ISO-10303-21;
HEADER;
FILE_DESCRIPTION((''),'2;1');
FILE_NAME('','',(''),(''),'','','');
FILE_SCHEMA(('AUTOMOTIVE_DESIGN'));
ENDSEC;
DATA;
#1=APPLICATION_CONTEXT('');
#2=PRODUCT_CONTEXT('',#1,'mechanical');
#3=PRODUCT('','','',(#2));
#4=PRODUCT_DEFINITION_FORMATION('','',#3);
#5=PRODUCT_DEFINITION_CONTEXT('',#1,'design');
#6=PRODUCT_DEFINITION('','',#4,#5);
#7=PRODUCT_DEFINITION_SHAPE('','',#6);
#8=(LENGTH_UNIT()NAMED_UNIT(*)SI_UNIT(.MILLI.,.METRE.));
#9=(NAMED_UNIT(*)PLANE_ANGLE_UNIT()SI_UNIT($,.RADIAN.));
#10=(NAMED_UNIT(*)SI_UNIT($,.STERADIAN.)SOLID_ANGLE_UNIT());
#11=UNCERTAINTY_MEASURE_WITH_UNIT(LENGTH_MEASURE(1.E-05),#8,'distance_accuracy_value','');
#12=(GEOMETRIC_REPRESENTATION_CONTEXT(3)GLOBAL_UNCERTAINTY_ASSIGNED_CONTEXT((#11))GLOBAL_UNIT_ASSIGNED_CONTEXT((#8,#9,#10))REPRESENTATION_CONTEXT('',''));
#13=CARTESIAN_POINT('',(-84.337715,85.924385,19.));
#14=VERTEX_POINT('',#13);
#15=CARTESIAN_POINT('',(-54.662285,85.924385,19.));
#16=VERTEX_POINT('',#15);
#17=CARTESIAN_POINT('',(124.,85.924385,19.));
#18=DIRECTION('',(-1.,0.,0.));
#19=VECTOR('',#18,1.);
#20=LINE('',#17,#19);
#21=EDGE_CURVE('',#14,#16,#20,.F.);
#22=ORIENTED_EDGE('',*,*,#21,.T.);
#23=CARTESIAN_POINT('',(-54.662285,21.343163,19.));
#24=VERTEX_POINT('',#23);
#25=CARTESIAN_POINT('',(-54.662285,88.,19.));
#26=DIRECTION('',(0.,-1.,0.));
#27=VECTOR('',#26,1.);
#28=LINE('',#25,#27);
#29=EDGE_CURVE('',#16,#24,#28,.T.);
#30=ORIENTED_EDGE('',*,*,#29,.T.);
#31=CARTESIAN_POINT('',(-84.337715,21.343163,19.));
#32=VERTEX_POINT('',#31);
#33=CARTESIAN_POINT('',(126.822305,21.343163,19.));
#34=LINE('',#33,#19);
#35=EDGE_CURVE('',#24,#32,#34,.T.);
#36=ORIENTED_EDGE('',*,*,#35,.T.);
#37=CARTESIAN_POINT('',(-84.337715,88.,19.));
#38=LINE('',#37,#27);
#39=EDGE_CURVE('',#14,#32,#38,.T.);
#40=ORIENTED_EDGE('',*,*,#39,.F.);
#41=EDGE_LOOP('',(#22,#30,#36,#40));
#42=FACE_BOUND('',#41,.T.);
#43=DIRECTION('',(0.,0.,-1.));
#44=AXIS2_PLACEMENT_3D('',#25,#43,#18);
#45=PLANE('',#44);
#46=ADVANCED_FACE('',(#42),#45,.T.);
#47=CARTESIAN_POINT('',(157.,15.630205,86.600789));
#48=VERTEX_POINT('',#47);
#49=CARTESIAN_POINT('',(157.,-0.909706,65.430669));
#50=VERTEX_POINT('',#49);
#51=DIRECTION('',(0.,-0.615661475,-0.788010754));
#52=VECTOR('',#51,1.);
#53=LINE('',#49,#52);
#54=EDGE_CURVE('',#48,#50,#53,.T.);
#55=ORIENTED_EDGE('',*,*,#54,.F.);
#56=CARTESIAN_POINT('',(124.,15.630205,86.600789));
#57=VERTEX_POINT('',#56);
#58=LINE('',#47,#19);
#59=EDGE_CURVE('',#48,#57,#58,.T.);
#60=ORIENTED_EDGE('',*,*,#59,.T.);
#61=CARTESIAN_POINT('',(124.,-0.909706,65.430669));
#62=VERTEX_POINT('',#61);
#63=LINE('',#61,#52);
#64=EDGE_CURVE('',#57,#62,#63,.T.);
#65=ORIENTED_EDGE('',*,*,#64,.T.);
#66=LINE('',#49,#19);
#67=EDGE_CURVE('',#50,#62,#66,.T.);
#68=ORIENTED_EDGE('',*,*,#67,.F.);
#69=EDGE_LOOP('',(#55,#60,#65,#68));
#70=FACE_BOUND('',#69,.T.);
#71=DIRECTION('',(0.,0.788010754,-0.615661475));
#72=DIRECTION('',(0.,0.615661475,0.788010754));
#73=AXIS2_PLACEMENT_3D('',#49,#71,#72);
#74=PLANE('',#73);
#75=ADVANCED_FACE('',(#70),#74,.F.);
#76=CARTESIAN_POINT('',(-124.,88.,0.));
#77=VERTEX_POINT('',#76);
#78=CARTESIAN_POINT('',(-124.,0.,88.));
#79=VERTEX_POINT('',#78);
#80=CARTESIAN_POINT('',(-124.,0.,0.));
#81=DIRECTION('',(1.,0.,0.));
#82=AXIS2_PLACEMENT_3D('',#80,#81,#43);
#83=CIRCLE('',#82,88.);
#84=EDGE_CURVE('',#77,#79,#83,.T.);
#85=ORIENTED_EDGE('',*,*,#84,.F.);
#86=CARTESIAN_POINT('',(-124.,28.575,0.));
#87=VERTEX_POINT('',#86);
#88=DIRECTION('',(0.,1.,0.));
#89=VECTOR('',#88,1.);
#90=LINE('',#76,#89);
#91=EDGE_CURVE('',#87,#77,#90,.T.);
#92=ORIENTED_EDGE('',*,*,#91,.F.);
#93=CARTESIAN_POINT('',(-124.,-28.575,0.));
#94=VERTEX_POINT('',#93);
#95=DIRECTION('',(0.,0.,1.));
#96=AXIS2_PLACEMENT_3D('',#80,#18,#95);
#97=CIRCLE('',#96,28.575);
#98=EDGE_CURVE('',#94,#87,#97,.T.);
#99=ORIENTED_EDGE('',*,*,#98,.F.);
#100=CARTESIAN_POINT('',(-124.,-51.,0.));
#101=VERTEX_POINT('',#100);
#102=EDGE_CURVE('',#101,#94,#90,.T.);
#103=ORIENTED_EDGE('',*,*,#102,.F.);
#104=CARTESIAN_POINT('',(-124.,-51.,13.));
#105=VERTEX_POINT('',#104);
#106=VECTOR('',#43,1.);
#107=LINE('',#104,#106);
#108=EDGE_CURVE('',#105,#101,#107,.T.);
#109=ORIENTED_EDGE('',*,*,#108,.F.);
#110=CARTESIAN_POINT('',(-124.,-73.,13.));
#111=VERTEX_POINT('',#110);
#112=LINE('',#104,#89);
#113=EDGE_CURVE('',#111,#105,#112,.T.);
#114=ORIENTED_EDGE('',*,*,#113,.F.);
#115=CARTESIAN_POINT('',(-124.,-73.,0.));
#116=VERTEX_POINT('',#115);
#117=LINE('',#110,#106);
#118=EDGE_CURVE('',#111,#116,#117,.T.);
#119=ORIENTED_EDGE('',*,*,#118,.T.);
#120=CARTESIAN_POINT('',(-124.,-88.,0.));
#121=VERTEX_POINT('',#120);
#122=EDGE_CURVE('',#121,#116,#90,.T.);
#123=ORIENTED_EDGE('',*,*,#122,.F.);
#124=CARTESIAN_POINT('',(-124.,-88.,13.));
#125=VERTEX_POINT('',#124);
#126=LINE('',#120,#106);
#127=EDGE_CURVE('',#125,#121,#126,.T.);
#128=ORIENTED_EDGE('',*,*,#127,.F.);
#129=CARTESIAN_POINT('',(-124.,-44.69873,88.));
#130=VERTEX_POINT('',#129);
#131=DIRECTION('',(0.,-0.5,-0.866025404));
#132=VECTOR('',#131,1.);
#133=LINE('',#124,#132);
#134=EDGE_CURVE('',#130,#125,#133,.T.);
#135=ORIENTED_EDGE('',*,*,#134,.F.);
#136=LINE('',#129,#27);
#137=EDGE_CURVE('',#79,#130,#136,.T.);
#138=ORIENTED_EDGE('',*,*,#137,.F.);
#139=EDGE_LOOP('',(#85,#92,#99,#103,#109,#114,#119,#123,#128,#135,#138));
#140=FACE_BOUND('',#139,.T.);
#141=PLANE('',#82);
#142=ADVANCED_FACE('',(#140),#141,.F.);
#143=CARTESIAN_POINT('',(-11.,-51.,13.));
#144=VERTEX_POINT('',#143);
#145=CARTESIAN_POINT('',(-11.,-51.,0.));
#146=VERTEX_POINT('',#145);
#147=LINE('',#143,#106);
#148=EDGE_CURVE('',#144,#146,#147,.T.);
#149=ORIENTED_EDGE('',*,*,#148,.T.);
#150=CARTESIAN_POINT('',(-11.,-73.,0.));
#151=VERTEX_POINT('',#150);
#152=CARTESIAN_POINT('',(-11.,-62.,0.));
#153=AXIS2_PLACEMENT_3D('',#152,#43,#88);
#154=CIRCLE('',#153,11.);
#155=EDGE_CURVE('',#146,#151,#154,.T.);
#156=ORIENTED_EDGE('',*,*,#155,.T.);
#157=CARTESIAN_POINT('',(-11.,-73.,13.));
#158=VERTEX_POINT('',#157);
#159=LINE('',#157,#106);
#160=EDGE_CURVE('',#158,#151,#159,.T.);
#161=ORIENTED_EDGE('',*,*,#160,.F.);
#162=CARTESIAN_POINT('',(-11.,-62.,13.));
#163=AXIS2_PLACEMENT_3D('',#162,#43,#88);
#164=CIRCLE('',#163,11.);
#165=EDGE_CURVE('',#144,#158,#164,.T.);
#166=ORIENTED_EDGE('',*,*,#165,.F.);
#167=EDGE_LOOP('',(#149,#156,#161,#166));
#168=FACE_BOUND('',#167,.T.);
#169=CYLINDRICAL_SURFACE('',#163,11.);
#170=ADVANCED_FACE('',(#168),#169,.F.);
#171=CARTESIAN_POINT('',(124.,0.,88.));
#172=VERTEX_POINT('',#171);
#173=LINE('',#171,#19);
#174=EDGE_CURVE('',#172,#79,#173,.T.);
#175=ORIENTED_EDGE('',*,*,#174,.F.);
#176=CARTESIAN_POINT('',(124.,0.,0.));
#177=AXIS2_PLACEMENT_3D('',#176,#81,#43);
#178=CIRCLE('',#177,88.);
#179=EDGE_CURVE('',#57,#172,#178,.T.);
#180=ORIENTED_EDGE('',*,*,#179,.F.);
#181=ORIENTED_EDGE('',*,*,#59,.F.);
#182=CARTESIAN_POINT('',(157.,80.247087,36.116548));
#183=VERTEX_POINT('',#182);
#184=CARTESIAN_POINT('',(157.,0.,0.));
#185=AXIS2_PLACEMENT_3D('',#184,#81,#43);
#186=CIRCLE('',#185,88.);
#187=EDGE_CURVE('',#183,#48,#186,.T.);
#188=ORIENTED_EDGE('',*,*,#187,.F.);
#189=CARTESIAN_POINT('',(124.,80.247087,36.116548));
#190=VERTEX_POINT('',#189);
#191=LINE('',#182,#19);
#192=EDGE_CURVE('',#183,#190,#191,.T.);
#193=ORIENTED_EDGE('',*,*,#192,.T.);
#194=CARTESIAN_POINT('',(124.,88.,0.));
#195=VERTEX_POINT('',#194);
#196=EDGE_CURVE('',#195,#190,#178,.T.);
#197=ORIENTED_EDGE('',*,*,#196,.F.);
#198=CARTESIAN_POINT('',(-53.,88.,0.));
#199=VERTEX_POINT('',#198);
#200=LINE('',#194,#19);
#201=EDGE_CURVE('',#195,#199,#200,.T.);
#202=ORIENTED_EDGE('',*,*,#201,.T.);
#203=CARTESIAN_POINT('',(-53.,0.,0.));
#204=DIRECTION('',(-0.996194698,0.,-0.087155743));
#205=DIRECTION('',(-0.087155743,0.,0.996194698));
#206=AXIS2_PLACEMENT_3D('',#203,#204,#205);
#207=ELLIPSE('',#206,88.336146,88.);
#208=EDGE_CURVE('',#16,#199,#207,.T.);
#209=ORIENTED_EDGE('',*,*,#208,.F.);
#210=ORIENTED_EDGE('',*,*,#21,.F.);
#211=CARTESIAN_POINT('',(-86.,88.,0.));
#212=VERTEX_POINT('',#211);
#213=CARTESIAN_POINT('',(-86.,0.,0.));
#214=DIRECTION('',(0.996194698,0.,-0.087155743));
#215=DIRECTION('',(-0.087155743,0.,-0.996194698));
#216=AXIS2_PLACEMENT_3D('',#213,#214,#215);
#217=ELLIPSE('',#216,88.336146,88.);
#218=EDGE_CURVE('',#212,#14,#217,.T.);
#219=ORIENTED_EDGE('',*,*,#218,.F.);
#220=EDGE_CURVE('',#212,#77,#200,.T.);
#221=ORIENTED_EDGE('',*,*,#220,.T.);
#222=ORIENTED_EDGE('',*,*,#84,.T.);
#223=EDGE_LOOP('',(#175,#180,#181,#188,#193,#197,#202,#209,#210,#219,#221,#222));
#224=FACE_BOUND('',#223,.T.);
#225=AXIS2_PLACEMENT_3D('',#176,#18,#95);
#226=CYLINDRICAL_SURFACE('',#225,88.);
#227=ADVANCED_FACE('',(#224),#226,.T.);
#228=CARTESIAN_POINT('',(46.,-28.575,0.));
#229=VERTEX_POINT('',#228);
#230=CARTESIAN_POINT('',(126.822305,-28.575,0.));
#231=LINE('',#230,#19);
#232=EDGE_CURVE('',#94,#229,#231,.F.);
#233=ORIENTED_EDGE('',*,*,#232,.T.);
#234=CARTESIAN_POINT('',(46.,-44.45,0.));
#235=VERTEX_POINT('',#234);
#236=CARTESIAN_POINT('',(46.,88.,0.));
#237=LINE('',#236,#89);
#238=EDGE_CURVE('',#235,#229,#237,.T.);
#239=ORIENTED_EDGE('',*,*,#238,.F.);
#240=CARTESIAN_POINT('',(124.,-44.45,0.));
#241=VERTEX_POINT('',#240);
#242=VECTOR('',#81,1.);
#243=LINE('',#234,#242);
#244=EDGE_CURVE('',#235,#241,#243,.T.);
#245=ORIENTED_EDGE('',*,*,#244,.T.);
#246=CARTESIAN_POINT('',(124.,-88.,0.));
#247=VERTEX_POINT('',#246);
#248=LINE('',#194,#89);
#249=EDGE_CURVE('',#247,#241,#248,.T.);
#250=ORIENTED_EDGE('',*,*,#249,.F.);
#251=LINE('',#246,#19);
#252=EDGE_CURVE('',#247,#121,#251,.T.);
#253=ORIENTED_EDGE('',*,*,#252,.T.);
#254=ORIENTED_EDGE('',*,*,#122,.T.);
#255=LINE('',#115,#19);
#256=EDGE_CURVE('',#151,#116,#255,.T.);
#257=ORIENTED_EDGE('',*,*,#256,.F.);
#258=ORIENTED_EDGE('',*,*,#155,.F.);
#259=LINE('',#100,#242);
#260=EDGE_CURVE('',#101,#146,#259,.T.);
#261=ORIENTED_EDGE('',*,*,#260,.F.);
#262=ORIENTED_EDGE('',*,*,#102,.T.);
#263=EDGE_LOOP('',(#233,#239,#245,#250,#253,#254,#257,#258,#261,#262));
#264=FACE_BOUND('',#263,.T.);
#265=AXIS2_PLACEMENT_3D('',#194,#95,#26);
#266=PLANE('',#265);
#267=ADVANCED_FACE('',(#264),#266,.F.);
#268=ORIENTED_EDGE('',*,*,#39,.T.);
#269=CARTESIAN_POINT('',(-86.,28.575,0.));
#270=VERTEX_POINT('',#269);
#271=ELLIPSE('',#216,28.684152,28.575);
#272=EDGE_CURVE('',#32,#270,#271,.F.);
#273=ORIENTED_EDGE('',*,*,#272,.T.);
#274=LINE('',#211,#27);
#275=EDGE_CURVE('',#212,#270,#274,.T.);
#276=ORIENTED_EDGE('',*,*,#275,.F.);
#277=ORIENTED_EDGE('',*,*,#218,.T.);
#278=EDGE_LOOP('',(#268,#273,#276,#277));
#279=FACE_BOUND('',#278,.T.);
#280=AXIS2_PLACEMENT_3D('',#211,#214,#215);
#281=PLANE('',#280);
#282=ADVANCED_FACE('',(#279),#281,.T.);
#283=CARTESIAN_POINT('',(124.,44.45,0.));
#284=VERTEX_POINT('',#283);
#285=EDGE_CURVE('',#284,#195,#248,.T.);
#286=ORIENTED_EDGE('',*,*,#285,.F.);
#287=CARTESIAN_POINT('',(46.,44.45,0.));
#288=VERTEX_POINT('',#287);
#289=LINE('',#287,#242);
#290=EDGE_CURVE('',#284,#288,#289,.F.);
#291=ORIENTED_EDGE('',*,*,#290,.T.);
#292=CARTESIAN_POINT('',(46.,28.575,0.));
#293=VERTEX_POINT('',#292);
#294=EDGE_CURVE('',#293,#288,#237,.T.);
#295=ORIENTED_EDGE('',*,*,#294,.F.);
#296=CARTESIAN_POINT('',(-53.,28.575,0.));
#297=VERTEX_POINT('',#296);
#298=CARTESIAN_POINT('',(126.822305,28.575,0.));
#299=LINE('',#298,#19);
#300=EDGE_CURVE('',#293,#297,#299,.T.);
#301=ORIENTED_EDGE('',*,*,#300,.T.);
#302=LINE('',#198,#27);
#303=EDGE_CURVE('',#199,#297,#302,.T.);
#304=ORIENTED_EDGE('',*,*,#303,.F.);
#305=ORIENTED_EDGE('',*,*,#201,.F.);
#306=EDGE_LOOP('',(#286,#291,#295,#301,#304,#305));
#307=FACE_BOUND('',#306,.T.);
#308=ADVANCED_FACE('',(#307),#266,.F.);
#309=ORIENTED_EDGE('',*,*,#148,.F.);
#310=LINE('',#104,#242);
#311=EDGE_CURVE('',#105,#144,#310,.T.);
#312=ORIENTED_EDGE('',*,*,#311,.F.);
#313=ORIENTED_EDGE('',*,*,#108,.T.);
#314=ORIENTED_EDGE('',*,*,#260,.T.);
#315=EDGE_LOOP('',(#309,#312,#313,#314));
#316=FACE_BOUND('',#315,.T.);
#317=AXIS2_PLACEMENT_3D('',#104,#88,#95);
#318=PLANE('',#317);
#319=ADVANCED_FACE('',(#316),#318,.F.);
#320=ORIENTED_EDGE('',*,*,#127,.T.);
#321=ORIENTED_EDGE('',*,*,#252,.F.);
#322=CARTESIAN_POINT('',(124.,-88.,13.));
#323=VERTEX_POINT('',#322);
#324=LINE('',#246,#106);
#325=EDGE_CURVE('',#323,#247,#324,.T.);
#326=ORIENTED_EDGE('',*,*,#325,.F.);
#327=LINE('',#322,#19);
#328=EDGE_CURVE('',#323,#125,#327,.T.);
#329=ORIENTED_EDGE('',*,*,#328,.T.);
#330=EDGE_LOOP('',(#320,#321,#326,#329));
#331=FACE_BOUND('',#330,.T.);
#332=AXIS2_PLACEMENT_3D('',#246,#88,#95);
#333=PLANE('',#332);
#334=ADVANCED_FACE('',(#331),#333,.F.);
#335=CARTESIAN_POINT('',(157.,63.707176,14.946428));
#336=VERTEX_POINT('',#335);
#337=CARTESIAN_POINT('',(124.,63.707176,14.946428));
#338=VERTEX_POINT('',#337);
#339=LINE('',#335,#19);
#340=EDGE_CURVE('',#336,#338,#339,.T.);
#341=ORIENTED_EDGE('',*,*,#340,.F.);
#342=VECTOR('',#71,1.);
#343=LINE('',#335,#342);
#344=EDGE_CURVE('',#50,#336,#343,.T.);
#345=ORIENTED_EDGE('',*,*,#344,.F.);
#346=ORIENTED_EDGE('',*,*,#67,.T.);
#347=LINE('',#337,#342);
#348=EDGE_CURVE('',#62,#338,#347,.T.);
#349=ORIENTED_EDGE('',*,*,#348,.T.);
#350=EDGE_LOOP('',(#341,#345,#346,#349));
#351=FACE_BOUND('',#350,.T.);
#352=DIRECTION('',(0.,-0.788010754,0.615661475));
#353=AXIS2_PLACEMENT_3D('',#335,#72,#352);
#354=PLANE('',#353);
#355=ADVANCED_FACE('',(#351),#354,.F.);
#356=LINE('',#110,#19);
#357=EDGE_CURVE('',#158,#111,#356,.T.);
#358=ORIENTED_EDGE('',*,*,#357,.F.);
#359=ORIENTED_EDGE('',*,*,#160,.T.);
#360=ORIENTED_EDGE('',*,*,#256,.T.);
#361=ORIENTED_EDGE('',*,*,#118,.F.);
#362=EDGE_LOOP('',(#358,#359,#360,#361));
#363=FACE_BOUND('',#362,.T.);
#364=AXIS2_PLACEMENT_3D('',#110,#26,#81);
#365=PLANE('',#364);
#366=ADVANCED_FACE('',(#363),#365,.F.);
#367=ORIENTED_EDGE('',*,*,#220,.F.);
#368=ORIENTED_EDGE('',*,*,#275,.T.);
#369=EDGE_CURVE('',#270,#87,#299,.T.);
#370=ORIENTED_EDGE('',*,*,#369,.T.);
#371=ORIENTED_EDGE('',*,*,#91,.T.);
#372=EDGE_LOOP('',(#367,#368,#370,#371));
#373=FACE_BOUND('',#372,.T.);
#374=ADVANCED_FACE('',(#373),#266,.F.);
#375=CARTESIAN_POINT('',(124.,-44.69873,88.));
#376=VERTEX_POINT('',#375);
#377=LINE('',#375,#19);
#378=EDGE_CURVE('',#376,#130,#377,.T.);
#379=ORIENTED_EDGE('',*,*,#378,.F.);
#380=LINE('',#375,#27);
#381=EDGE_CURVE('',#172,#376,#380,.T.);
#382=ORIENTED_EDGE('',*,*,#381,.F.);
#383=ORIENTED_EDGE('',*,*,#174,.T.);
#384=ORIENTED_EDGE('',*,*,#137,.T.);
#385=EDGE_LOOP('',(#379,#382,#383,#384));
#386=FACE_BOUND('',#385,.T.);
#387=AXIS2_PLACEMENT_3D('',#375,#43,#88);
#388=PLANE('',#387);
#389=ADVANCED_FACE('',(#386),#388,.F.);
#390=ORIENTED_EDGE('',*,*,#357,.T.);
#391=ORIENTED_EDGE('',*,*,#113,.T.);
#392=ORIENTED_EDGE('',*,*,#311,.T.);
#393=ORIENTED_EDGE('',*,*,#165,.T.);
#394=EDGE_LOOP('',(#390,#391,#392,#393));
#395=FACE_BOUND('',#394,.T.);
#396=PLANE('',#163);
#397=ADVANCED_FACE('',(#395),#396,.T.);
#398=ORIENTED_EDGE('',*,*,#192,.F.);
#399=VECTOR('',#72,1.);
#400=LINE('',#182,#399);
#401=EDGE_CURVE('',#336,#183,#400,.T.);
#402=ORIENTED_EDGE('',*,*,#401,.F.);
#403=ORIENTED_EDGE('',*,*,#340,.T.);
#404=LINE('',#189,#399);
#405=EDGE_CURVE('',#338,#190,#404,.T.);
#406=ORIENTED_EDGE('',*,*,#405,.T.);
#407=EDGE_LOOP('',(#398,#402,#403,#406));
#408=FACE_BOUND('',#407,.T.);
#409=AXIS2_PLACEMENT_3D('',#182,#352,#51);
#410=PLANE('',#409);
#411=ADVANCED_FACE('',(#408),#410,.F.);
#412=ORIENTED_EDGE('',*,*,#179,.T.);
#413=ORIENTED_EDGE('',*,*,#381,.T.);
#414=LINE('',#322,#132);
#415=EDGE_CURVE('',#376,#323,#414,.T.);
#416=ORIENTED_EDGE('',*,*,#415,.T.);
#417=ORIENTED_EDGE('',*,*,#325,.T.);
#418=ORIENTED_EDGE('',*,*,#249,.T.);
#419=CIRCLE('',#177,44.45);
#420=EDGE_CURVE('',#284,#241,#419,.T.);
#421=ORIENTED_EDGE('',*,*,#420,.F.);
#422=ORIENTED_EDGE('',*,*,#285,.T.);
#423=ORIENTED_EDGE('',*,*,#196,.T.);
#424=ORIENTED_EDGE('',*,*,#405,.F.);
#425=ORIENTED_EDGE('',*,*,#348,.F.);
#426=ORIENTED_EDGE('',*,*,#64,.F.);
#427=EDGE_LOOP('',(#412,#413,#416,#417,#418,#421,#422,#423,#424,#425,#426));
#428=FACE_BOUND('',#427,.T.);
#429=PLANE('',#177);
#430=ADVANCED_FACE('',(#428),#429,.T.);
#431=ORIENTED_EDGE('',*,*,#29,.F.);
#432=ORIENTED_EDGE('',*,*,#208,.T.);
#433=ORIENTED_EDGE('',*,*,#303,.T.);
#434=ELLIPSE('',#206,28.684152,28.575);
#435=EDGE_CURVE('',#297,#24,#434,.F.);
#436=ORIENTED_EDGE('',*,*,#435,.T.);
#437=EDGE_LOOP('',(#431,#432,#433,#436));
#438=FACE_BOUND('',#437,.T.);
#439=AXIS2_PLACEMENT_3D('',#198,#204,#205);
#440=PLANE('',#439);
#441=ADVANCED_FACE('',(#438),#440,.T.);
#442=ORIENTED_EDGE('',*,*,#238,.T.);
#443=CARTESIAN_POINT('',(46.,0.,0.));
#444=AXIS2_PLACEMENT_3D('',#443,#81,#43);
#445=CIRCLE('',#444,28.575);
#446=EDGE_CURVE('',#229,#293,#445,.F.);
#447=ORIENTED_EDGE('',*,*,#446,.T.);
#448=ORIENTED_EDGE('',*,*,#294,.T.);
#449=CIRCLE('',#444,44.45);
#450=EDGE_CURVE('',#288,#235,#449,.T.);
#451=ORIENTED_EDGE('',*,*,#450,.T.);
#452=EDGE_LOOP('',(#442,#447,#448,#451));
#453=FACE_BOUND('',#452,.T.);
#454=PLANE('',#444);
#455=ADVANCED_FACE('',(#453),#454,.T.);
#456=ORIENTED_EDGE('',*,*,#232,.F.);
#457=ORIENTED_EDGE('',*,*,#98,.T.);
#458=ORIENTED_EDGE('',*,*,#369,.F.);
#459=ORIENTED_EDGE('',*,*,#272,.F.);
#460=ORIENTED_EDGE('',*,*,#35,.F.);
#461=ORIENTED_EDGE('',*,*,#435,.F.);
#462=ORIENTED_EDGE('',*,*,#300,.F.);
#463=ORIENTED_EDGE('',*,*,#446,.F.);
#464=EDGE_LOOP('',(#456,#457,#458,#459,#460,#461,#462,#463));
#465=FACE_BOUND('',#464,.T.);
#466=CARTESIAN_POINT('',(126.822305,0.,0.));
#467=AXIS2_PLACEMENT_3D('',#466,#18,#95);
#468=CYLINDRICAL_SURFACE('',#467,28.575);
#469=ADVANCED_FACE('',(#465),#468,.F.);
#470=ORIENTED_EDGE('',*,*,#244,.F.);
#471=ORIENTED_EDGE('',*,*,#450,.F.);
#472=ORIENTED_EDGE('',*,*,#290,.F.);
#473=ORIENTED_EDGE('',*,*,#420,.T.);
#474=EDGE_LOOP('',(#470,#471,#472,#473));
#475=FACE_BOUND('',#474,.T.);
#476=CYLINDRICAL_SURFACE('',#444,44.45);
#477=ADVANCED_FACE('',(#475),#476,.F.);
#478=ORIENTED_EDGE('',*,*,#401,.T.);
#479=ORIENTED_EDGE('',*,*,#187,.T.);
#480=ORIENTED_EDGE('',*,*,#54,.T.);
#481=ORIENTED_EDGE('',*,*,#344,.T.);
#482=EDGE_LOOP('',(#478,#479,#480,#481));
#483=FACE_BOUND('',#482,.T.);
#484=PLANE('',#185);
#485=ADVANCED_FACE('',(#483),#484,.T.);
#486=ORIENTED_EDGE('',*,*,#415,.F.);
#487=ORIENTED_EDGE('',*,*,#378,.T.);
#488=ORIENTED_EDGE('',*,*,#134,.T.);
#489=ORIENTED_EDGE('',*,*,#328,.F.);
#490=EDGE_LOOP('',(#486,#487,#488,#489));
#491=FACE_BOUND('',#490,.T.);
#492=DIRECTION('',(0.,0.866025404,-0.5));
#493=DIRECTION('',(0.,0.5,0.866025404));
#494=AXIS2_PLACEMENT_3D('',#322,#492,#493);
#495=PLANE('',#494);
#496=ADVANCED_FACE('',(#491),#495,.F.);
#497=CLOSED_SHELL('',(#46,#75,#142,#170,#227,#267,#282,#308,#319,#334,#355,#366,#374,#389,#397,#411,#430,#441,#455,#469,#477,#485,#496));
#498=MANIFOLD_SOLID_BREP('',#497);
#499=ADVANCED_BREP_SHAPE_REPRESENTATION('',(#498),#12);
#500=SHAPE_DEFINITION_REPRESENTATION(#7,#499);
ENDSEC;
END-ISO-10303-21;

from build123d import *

# Parameters (mm, degrees)
BOSS_EXTRUDE1_DEPTH = 124
SKETCH2_R           = 44.45
CUT_EXTRUDE1_DEPTH  = 78
SKETCH3_R           = 28.575
CUT_EXTRUDE2_DEPTH  = 170
CUT_EXTRUDE3_DEPTH  = 13
CUT_EXTRUDE4_DEPTH  = 176.681530048
BOSS_EXTRUDE2_START = 33
BOSS_EXTRUDE2_DEPTH = 33


with BuildPart() as part:
    # Sketch1 → Boss-Extrude1 (new, symmetric)
    with BuildSketch(Plane(origin=(0, 0, 0), x_dir=(0, 0, -1), z_dir=(1, 0, 0))):
        with BuildLine():
            Line((0, 88), (0, -88))
            Line((0, -88), (-13, -88))
            Line((-13, -88), (-88, -44.698729811))
            Line((-88, -44.698729811), (-88, 0))
            ThreePointArc((-88, 0), (-62.225396744, 62.225396744), (0, 88))
        make_face()
    extrude(amount=BOSS_EXTRUDE1_DEPTH, both=True)

    # Sketch2 → Cut-Extrude1 (cut)
    with BuildSketch(Plane(origin=(124, 0, 0), x_dir=(0, 0, -1), z_dir=(1, 0, 0))):
        Circle(SKETCH2_R)
    extrude(amount=-CUT_EXTRUDE1_DEPTH, mode=Mode.SUBTRACT)

    # Sketch3 → Cut-Extrude2 (cut)
    with BuildSketch(Plane.ZY.offset(124)):
        Circle(SKETCH3_R)
    extrude(amount=-CUT_EXTRUDE2_DEPTH, mode=Mode.SUBTRACT)

    # Sketch4 → Cut-Extrude3 (cut)
    with BuildSketch(Plane(origin=(0, 0, 0), x_dir=(-1, 0, 0), z_dir=(0, 0, -1))):
        with BuildLine():
            Line((124, -73), (11, -73))
            ThreePointArc((11, -73), (0, -62), (11, -51))
            Line((11, -51), (124, -51))
            Line((124, -51), (124, -73))
        make_face()
    extrude(amount=-CUT_EXTRUDE3_DEPTH, mode=Mode.SUBTRACT)

    # Sketch5 → Cut-Extrude4 (cut, through all)
    with BuildSketch(Plane(origin=(0, 0, 0), x_dir=(1, 0, 0), z_dir=(0, 1, 0))):
        Polygon((-53, 0), (-86, 0), (-84.337715393, -19), (-54.662284607, -19), align=None)
    extrude(amount=CUT_EXTRUDE4_DEPTH, mode=Mode.SUBTRACT)

    # Sketch6 → Boss-Extrude2 (add)
    with BuildSketch(Plane(origin=(124, 0, 0), x_dir=(0, 0, -1), z_dir=(1, 0, 0)).offset(BOSS_EXTRUDE2_START)):
        with BuildLine():
            Line((-36.116548227, 80.247086827), (-14.946427946, 63.707176139))
            Line((-14.946427946, 63.707176139), (-65.430668922, -0.909705656))
            Line((-65.430668922, -0.909705656), (-86.600789204, 15.630205031))
            ThreePointArc((-86.600789204, 15.630205031), (-69.344946317, 54.178209829), (-36.116548227, 80.247086827))
        make_face()
    extrude(amount=-BOSS_EXTRUDE2_DEPTH)


solid = part.part
